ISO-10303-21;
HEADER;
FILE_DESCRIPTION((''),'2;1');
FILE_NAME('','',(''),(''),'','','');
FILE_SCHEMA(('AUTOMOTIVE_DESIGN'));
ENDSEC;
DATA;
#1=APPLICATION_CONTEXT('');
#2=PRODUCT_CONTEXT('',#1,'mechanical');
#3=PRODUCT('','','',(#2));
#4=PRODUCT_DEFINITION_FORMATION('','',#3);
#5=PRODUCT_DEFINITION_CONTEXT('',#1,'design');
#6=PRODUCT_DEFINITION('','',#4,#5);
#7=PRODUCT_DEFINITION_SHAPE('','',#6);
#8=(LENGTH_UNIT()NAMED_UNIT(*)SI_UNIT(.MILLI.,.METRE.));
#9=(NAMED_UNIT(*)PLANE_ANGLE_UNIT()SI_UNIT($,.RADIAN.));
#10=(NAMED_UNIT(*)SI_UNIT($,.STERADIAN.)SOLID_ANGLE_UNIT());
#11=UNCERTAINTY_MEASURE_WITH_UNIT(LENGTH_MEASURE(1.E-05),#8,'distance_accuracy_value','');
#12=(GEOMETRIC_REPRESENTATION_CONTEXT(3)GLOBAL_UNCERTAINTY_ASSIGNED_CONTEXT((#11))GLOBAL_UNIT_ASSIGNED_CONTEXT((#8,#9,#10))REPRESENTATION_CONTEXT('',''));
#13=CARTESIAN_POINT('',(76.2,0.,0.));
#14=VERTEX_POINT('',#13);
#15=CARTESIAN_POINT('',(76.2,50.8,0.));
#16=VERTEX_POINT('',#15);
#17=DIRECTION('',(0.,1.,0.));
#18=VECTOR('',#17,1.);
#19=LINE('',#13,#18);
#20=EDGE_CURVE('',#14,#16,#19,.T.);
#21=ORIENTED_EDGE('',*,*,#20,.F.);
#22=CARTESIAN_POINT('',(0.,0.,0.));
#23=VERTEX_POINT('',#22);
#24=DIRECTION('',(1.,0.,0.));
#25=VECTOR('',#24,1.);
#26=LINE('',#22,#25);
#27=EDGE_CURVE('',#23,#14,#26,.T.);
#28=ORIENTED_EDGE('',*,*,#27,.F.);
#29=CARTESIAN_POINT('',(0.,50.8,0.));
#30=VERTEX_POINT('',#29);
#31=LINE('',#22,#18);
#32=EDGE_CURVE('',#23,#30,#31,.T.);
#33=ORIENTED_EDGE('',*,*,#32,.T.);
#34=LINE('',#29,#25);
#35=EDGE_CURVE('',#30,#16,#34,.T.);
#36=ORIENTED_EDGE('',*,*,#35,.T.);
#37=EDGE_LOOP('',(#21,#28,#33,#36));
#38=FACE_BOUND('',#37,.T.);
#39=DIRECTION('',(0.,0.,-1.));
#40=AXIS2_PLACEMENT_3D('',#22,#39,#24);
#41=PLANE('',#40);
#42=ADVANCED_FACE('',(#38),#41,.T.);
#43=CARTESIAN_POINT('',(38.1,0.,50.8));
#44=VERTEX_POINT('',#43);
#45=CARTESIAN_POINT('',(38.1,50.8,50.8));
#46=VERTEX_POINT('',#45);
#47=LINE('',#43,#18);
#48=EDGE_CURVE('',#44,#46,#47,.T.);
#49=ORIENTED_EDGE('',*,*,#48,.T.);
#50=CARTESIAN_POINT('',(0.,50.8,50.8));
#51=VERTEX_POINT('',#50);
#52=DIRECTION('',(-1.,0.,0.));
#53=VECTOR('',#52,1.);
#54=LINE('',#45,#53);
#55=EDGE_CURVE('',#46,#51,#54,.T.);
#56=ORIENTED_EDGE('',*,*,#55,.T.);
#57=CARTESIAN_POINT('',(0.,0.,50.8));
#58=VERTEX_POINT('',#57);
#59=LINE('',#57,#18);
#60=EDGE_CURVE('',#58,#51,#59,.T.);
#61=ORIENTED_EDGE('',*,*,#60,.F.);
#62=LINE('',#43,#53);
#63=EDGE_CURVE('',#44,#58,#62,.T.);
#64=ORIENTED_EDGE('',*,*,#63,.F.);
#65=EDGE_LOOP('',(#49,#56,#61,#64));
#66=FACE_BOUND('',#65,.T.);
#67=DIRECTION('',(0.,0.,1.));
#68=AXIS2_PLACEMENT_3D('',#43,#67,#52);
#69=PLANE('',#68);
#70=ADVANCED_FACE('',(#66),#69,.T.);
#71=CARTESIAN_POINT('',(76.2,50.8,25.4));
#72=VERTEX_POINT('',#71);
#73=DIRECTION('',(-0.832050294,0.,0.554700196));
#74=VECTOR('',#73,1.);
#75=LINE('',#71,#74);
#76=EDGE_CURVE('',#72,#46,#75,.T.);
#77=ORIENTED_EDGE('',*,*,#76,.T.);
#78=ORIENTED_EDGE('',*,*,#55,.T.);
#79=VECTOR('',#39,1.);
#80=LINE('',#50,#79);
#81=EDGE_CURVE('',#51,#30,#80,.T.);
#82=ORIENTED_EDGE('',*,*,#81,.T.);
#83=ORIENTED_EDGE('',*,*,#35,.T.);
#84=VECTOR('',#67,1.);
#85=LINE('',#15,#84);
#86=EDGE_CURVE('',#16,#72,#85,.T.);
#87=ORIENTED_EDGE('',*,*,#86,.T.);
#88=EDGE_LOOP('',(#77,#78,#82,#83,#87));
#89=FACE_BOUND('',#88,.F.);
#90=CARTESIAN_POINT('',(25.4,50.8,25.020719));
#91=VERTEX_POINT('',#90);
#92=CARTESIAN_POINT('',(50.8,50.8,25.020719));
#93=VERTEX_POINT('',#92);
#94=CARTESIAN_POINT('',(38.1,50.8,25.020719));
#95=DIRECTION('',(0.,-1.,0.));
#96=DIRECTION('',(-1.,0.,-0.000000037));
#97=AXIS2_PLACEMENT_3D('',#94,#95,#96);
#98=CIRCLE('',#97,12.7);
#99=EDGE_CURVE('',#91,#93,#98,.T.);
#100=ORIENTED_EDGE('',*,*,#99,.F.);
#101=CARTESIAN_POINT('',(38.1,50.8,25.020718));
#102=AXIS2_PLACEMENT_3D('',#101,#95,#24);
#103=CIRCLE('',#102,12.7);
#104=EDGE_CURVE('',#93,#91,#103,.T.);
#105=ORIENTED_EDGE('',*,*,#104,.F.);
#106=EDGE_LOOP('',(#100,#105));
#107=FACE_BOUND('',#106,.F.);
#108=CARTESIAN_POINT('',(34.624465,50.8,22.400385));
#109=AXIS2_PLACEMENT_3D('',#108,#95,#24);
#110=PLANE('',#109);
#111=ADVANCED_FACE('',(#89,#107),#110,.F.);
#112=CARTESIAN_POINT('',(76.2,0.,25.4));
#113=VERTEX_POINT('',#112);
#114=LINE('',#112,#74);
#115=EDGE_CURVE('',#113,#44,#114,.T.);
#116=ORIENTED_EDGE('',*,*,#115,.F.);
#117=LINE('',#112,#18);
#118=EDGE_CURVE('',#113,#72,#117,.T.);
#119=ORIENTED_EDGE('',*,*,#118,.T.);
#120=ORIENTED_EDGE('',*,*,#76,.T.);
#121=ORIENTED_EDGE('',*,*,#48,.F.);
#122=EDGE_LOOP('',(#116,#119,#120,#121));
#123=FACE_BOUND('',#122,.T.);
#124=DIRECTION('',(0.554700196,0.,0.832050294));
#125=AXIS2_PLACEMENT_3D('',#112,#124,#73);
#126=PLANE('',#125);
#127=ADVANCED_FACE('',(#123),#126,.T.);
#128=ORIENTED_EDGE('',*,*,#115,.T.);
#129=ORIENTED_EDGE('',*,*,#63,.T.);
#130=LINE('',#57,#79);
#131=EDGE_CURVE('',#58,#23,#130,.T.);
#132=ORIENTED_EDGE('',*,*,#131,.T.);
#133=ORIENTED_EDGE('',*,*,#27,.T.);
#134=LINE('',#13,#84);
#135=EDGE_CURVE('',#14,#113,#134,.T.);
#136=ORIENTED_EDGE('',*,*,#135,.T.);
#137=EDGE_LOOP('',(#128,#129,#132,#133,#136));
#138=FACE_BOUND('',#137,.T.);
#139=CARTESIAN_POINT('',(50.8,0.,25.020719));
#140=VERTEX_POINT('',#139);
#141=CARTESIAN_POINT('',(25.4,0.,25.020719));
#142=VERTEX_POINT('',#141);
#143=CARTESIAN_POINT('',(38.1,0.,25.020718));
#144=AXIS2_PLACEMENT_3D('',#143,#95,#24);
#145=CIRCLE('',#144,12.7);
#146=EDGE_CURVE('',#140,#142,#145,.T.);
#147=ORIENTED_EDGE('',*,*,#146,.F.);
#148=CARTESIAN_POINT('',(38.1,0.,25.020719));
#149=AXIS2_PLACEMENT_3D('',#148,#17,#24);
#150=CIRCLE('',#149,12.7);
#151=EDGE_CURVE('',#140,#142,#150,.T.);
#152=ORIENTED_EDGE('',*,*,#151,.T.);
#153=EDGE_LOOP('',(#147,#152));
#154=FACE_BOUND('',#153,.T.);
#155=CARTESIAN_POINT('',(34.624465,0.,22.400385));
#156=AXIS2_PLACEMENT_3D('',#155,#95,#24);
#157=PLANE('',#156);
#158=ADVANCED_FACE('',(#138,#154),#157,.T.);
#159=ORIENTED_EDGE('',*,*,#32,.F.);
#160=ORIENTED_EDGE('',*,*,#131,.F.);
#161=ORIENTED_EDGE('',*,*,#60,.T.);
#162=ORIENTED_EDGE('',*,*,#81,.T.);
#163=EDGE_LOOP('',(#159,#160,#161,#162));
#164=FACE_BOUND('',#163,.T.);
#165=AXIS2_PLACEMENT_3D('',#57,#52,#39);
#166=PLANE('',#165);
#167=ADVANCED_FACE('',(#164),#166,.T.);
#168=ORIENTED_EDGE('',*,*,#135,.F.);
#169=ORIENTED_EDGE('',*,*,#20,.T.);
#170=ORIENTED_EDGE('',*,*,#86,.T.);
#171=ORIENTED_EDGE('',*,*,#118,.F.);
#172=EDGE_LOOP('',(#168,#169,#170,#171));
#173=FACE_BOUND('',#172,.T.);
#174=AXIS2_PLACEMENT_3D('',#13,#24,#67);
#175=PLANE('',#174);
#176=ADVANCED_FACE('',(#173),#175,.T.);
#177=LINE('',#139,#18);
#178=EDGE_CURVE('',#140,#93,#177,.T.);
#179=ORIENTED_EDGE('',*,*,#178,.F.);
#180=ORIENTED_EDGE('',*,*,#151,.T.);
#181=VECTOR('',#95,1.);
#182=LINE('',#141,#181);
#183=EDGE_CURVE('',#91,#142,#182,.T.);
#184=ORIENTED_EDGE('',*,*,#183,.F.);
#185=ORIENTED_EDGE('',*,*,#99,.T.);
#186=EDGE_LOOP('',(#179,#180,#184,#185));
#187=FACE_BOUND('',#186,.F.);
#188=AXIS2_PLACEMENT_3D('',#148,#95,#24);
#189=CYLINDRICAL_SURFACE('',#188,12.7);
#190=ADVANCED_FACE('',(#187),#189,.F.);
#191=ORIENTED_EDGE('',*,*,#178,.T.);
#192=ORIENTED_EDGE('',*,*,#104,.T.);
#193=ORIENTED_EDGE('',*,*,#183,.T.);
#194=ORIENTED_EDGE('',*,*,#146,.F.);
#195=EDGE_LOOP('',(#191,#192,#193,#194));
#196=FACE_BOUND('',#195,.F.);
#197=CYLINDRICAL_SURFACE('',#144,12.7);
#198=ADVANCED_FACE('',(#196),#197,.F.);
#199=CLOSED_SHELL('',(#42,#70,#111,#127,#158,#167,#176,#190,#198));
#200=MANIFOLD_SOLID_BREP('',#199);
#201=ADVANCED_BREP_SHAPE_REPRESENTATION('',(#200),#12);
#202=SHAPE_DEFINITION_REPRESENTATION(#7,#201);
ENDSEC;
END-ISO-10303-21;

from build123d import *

# Parameters (mm, degrees)
F0_R      = 12.7
F1_DEPTH  = 50.8
F1_FACE_R = 12.7
F2_DEPTH  = 50.8


with BuildPart() as f1:
    # F0 (on Front) → F1 (new body)
    with BuildSketch(Plane.XZ):
        Polygon((38.1, 50.8), (0, 50.8), (0, 0), (76.2, 0), (76.2, 25.4), align=None)
        with Locations((38.1, 25.020719)):
            Circle(F0_R, mode=Mode.SUBTRACT)
    extrude(amount=-F1_DEPTH)

    # F1_face (on face) → F2 (join)
    with BuildSketch(Plane(origin=(33.833102, 0, 22.622123), x_dir=(1, 0, 0), z_dir=(0, -1, 0))):
        Polygon((4.266898, 28.177877), (-33.833102, 28.177877), (-33.833102, -22.622123), (42.366898, -22.622123), (42.366898, 2.777877), align=None)
        with Locations((4.266898, 2.398595)):
            Circle(F1_FACE_R, mode=Mode.SUBTRACT)
    extrude(amount=-F2_DEPTH)


solid = f1.part
